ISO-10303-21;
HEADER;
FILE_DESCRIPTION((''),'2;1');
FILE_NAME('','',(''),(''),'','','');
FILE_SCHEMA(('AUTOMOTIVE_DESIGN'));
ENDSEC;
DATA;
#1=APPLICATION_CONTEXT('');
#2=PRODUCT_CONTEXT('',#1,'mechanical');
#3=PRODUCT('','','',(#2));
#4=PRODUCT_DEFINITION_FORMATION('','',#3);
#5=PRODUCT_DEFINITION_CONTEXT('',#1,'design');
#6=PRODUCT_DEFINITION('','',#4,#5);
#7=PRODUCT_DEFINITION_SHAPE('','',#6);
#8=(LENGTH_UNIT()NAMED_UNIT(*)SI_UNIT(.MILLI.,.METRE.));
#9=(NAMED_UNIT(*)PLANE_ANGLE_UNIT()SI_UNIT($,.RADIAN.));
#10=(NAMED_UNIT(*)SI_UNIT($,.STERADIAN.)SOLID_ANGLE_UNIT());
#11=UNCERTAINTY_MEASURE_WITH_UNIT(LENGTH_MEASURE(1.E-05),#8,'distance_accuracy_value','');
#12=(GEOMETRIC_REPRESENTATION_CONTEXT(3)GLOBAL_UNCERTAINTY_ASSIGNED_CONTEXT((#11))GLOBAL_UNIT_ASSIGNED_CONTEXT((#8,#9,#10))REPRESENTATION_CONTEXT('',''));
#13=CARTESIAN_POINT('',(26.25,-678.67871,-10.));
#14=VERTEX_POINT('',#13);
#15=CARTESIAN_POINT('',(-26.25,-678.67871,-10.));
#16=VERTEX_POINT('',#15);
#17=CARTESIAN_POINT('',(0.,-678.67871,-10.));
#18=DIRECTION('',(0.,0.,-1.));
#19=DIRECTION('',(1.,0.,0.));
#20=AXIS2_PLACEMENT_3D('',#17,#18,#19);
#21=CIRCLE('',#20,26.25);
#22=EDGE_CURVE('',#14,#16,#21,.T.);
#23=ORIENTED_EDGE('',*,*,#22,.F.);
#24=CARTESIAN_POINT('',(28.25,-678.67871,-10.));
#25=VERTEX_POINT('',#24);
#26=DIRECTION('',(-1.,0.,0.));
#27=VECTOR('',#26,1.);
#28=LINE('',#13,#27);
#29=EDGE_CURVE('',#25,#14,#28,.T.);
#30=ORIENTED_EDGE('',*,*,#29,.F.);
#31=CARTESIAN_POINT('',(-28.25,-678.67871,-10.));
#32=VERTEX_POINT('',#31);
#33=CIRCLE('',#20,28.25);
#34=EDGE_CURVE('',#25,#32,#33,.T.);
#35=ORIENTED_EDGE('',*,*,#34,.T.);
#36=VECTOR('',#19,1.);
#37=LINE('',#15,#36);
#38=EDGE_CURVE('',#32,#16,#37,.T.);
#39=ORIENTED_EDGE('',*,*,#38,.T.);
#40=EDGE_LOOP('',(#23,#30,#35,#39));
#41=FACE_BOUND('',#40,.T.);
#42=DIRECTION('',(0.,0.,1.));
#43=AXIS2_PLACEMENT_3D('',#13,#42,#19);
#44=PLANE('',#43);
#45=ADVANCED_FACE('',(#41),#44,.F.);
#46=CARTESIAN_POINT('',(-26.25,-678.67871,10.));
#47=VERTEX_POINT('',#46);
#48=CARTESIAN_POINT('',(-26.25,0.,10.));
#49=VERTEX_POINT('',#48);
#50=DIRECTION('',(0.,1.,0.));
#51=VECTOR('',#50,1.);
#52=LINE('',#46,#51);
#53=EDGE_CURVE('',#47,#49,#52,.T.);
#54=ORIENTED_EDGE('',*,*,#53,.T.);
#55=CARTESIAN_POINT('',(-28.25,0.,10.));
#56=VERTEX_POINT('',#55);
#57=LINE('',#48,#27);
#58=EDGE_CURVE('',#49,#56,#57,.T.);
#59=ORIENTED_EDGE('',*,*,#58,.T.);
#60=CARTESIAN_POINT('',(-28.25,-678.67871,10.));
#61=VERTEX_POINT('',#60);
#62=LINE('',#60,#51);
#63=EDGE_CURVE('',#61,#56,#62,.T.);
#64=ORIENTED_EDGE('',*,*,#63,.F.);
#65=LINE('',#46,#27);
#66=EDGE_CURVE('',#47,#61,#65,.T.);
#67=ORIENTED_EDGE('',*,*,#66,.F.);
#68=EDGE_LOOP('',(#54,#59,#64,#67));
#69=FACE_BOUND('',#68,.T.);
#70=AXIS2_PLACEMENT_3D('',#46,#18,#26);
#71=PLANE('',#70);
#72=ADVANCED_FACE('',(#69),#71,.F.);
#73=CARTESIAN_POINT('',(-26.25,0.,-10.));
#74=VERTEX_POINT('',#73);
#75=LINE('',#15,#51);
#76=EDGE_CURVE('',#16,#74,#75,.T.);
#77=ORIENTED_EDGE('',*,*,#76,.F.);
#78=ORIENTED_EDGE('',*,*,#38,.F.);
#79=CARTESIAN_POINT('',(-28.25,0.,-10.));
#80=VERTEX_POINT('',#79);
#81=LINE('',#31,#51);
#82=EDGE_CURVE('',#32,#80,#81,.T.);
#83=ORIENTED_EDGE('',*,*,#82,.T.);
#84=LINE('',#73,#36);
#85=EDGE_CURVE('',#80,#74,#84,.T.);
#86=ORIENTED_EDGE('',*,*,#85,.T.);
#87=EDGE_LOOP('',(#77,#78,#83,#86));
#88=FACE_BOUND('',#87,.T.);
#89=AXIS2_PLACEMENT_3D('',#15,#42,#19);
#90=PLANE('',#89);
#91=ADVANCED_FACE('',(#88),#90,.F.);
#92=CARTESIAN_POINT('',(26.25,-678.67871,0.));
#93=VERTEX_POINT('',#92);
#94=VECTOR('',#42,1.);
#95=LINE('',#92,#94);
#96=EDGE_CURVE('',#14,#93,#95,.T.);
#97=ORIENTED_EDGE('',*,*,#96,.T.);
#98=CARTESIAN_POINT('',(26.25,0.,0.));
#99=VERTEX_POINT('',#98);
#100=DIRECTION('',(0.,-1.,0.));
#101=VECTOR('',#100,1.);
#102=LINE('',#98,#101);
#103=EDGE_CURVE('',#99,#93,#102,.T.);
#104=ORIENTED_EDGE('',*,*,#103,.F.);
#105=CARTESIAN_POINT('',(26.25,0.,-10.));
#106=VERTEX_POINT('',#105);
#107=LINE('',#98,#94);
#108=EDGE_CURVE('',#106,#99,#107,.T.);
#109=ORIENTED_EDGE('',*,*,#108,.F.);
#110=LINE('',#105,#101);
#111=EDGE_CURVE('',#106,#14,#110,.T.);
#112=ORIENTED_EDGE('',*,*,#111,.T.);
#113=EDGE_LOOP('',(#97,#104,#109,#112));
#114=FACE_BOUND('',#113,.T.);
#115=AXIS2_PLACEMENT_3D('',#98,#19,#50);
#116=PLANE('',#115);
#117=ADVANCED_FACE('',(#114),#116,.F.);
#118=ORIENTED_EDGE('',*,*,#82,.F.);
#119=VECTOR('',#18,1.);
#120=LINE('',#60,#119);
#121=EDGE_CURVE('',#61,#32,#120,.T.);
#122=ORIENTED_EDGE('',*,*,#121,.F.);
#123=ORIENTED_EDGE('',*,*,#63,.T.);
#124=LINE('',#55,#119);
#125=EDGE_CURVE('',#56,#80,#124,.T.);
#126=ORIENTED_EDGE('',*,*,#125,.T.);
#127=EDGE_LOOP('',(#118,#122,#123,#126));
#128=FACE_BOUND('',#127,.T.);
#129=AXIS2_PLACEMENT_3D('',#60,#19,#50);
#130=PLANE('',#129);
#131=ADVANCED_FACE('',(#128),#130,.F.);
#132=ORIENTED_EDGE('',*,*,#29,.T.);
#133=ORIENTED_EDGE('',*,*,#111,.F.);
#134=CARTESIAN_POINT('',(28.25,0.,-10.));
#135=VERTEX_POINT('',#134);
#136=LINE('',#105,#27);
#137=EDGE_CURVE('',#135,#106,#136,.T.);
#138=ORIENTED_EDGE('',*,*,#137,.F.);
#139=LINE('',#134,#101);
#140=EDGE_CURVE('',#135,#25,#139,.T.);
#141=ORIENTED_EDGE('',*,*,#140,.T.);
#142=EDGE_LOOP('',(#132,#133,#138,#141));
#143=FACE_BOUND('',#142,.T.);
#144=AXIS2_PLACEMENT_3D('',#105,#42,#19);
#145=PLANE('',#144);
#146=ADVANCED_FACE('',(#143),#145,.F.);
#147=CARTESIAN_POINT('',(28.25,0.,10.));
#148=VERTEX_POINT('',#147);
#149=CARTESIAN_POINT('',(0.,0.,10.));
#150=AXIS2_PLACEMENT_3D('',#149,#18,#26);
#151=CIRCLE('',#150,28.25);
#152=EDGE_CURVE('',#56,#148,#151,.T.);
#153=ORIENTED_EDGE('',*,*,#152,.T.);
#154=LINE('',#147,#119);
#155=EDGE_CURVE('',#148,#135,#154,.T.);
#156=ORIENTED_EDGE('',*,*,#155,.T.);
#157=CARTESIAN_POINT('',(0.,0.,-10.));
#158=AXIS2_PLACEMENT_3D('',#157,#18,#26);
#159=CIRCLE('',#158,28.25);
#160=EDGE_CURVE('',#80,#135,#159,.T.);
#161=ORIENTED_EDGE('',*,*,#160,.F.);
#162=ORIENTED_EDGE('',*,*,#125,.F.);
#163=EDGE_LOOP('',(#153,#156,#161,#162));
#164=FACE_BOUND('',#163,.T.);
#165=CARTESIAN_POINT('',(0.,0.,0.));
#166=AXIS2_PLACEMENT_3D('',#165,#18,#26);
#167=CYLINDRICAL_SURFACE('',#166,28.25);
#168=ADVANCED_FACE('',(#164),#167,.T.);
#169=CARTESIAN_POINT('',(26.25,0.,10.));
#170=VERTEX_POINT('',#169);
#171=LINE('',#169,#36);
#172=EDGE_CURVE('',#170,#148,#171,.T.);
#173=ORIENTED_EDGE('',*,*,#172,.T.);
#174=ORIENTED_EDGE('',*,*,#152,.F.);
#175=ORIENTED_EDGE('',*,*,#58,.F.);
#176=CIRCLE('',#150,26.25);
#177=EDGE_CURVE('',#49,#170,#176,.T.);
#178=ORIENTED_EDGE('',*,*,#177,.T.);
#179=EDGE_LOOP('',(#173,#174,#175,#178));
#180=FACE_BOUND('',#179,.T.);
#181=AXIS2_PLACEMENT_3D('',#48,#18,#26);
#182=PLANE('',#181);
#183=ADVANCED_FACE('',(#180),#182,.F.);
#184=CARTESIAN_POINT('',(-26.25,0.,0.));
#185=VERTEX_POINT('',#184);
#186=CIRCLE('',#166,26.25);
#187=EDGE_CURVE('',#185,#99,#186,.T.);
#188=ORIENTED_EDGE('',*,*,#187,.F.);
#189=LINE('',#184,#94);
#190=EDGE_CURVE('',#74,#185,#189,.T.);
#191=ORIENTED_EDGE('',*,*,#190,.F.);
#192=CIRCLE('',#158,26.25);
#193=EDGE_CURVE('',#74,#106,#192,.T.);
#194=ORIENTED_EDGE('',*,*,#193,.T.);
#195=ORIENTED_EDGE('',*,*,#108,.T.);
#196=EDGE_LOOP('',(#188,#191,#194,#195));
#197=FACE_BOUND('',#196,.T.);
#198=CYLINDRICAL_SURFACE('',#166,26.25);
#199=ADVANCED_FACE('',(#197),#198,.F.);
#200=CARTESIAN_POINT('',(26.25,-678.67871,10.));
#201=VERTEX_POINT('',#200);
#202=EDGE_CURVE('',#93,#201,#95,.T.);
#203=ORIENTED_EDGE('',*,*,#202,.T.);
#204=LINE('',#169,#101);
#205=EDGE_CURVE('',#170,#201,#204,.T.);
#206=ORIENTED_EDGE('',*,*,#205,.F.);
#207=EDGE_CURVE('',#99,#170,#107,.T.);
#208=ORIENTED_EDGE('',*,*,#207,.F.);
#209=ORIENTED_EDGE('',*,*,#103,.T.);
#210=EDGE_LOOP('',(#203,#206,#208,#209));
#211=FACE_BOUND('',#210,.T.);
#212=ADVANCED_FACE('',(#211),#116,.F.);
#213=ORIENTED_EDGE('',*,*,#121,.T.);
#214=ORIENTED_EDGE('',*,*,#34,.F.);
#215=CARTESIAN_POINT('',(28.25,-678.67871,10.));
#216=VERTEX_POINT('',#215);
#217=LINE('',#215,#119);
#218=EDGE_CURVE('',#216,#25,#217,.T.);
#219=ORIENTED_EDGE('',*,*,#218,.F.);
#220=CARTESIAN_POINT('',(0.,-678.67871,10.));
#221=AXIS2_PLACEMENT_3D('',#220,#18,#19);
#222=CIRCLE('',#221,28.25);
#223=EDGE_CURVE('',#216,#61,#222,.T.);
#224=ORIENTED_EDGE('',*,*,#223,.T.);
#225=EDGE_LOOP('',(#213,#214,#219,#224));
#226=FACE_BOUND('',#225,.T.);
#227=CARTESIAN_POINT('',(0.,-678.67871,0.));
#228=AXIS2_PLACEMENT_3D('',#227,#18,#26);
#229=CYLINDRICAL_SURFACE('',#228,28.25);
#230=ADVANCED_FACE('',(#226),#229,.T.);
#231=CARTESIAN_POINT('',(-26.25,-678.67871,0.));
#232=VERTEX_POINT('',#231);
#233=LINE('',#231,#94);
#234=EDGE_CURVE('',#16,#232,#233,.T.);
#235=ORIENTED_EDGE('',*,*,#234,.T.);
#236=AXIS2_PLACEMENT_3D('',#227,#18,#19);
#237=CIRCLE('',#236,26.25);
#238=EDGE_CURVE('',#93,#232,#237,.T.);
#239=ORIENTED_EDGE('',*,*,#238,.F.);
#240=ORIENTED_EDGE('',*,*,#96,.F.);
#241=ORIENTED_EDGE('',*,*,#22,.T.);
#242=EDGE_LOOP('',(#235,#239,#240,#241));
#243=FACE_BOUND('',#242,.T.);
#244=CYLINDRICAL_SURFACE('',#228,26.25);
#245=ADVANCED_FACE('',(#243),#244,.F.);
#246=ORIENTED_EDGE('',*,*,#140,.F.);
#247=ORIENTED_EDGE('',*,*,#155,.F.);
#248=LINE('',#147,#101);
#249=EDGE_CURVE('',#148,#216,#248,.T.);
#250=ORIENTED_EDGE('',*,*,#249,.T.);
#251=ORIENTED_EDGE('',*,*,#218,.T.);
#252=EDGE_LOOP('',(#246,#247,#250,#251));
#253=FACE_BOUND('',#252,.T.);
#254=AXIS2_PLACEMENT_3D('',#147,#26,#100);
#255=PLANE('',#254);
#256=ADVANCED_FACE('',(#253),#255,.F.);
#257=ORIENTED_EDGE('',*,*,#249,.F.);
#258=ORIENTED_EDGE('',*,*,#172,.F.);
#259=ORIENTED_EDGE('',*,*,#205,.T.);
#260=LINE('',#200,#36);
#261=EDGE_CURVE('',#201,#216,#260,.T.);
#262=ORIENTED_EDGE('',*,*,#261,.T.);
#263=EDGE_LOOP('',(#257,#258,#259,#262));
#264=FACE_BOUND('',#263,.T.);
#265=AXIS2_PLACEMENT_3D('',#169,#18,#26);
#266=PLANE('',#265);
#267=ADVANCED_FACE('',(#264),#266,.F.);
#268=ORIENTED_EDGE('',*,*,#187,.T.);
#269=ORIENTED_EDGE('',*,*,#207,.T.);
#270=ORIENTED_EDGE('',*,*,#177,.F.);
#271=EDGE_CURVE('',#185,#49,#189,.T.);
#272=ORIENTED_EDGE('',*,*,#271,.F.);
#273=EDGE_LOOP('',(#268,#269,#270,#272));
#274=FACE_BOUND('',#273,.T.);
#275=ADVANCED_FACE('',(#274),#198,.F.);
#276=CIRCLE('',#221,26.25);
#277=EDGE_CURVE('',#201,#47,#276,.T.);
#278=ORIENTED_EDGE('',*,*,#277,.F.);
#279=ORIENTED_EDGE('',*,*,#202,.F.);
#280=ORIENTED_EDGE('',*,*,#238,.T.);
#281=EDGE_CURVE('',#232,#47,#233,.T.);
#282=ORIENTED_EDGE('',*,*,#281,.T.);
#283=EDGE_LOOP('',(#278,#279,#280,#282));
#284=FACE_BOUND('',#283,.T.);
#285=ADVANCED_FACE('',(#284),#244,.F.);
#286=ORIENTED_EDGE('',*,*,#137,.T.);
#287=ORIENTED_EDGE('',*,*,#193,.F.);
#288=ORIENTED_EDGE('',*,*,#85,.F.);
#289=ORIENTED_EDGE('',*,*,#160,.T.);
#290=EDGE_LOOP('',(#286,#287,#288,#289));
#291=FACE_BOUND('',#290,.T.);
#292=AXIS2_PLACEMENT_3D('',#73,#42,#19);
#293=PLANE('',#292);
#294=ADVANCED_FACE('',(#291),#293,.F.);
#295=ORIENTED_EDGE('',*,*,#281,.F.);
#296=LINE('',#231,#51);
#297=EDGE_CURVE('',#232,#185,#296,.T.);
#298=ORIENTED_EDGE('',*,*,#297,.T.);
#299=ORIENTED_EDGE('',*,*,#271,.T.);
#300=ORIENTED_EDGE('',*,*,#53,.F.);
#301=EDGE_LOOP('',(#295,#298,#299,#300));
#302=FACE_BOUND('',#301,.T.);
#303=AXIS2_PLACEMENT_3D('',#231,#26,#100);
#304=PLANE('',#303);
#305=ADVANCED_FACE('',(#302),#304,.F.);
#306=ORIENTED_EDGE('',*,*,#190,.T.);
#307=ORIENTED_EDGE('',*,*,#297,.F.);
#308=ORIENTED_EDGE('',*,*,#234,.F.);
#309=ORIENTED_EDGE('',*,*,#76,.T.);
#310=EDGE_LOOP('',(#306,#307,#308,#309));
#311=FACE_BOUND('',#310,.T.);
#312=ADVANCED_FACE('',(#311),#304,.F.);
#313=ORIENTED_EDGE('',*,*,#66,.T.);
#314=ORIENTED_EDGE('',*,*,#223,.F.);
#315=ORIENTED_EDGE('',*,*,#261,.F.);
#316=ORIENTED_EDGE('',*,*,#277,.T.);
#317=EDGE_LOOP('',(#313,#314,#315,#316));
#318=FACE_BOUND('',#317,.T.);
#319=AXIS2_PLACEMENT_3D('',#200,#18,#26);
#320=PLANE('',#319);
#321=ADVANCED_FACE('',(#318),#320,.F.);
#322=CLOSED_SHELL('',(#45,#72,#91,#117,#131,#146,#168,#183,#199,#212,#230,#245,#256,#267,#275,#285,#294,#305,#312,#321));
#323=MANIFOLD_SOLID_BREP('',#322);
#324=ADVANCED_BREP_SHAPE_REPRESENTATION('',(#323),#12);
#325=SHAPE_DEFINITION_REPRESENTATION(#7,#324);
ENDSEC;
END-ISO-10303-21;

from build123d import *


with BuildPart() as part:
    # По траектории1: sweep along a path in Эскиз3
    with BuildLine(Plane.XY) as sweep_1_path:
        Line((-26.25, -678.678709755), (-26.25, 0))
        ThreePointArc((-26.25, 0), (0, 26.25), (26.25, 0))
        Line((26.25, 0), (26.25, -678.678709755))
        ThreePointArc((26.25, -678.678709755), (0, -704.928709755), (-26.25, -678.678709755))
    # Эскиз4 → По траектории1 (sweep)
    with BuildSketch(Plane(origin=(0, 0, 0), x_dir=(1, 0, 0), z_dir=(0, 1, 0))):
        Polygon((26.25, 0), (26.25, -10), (28.25, -10), (28.25, 10), (26.25, 10), align=None)
    sweep(path=sweep_1_path.line)


solid = part.part
